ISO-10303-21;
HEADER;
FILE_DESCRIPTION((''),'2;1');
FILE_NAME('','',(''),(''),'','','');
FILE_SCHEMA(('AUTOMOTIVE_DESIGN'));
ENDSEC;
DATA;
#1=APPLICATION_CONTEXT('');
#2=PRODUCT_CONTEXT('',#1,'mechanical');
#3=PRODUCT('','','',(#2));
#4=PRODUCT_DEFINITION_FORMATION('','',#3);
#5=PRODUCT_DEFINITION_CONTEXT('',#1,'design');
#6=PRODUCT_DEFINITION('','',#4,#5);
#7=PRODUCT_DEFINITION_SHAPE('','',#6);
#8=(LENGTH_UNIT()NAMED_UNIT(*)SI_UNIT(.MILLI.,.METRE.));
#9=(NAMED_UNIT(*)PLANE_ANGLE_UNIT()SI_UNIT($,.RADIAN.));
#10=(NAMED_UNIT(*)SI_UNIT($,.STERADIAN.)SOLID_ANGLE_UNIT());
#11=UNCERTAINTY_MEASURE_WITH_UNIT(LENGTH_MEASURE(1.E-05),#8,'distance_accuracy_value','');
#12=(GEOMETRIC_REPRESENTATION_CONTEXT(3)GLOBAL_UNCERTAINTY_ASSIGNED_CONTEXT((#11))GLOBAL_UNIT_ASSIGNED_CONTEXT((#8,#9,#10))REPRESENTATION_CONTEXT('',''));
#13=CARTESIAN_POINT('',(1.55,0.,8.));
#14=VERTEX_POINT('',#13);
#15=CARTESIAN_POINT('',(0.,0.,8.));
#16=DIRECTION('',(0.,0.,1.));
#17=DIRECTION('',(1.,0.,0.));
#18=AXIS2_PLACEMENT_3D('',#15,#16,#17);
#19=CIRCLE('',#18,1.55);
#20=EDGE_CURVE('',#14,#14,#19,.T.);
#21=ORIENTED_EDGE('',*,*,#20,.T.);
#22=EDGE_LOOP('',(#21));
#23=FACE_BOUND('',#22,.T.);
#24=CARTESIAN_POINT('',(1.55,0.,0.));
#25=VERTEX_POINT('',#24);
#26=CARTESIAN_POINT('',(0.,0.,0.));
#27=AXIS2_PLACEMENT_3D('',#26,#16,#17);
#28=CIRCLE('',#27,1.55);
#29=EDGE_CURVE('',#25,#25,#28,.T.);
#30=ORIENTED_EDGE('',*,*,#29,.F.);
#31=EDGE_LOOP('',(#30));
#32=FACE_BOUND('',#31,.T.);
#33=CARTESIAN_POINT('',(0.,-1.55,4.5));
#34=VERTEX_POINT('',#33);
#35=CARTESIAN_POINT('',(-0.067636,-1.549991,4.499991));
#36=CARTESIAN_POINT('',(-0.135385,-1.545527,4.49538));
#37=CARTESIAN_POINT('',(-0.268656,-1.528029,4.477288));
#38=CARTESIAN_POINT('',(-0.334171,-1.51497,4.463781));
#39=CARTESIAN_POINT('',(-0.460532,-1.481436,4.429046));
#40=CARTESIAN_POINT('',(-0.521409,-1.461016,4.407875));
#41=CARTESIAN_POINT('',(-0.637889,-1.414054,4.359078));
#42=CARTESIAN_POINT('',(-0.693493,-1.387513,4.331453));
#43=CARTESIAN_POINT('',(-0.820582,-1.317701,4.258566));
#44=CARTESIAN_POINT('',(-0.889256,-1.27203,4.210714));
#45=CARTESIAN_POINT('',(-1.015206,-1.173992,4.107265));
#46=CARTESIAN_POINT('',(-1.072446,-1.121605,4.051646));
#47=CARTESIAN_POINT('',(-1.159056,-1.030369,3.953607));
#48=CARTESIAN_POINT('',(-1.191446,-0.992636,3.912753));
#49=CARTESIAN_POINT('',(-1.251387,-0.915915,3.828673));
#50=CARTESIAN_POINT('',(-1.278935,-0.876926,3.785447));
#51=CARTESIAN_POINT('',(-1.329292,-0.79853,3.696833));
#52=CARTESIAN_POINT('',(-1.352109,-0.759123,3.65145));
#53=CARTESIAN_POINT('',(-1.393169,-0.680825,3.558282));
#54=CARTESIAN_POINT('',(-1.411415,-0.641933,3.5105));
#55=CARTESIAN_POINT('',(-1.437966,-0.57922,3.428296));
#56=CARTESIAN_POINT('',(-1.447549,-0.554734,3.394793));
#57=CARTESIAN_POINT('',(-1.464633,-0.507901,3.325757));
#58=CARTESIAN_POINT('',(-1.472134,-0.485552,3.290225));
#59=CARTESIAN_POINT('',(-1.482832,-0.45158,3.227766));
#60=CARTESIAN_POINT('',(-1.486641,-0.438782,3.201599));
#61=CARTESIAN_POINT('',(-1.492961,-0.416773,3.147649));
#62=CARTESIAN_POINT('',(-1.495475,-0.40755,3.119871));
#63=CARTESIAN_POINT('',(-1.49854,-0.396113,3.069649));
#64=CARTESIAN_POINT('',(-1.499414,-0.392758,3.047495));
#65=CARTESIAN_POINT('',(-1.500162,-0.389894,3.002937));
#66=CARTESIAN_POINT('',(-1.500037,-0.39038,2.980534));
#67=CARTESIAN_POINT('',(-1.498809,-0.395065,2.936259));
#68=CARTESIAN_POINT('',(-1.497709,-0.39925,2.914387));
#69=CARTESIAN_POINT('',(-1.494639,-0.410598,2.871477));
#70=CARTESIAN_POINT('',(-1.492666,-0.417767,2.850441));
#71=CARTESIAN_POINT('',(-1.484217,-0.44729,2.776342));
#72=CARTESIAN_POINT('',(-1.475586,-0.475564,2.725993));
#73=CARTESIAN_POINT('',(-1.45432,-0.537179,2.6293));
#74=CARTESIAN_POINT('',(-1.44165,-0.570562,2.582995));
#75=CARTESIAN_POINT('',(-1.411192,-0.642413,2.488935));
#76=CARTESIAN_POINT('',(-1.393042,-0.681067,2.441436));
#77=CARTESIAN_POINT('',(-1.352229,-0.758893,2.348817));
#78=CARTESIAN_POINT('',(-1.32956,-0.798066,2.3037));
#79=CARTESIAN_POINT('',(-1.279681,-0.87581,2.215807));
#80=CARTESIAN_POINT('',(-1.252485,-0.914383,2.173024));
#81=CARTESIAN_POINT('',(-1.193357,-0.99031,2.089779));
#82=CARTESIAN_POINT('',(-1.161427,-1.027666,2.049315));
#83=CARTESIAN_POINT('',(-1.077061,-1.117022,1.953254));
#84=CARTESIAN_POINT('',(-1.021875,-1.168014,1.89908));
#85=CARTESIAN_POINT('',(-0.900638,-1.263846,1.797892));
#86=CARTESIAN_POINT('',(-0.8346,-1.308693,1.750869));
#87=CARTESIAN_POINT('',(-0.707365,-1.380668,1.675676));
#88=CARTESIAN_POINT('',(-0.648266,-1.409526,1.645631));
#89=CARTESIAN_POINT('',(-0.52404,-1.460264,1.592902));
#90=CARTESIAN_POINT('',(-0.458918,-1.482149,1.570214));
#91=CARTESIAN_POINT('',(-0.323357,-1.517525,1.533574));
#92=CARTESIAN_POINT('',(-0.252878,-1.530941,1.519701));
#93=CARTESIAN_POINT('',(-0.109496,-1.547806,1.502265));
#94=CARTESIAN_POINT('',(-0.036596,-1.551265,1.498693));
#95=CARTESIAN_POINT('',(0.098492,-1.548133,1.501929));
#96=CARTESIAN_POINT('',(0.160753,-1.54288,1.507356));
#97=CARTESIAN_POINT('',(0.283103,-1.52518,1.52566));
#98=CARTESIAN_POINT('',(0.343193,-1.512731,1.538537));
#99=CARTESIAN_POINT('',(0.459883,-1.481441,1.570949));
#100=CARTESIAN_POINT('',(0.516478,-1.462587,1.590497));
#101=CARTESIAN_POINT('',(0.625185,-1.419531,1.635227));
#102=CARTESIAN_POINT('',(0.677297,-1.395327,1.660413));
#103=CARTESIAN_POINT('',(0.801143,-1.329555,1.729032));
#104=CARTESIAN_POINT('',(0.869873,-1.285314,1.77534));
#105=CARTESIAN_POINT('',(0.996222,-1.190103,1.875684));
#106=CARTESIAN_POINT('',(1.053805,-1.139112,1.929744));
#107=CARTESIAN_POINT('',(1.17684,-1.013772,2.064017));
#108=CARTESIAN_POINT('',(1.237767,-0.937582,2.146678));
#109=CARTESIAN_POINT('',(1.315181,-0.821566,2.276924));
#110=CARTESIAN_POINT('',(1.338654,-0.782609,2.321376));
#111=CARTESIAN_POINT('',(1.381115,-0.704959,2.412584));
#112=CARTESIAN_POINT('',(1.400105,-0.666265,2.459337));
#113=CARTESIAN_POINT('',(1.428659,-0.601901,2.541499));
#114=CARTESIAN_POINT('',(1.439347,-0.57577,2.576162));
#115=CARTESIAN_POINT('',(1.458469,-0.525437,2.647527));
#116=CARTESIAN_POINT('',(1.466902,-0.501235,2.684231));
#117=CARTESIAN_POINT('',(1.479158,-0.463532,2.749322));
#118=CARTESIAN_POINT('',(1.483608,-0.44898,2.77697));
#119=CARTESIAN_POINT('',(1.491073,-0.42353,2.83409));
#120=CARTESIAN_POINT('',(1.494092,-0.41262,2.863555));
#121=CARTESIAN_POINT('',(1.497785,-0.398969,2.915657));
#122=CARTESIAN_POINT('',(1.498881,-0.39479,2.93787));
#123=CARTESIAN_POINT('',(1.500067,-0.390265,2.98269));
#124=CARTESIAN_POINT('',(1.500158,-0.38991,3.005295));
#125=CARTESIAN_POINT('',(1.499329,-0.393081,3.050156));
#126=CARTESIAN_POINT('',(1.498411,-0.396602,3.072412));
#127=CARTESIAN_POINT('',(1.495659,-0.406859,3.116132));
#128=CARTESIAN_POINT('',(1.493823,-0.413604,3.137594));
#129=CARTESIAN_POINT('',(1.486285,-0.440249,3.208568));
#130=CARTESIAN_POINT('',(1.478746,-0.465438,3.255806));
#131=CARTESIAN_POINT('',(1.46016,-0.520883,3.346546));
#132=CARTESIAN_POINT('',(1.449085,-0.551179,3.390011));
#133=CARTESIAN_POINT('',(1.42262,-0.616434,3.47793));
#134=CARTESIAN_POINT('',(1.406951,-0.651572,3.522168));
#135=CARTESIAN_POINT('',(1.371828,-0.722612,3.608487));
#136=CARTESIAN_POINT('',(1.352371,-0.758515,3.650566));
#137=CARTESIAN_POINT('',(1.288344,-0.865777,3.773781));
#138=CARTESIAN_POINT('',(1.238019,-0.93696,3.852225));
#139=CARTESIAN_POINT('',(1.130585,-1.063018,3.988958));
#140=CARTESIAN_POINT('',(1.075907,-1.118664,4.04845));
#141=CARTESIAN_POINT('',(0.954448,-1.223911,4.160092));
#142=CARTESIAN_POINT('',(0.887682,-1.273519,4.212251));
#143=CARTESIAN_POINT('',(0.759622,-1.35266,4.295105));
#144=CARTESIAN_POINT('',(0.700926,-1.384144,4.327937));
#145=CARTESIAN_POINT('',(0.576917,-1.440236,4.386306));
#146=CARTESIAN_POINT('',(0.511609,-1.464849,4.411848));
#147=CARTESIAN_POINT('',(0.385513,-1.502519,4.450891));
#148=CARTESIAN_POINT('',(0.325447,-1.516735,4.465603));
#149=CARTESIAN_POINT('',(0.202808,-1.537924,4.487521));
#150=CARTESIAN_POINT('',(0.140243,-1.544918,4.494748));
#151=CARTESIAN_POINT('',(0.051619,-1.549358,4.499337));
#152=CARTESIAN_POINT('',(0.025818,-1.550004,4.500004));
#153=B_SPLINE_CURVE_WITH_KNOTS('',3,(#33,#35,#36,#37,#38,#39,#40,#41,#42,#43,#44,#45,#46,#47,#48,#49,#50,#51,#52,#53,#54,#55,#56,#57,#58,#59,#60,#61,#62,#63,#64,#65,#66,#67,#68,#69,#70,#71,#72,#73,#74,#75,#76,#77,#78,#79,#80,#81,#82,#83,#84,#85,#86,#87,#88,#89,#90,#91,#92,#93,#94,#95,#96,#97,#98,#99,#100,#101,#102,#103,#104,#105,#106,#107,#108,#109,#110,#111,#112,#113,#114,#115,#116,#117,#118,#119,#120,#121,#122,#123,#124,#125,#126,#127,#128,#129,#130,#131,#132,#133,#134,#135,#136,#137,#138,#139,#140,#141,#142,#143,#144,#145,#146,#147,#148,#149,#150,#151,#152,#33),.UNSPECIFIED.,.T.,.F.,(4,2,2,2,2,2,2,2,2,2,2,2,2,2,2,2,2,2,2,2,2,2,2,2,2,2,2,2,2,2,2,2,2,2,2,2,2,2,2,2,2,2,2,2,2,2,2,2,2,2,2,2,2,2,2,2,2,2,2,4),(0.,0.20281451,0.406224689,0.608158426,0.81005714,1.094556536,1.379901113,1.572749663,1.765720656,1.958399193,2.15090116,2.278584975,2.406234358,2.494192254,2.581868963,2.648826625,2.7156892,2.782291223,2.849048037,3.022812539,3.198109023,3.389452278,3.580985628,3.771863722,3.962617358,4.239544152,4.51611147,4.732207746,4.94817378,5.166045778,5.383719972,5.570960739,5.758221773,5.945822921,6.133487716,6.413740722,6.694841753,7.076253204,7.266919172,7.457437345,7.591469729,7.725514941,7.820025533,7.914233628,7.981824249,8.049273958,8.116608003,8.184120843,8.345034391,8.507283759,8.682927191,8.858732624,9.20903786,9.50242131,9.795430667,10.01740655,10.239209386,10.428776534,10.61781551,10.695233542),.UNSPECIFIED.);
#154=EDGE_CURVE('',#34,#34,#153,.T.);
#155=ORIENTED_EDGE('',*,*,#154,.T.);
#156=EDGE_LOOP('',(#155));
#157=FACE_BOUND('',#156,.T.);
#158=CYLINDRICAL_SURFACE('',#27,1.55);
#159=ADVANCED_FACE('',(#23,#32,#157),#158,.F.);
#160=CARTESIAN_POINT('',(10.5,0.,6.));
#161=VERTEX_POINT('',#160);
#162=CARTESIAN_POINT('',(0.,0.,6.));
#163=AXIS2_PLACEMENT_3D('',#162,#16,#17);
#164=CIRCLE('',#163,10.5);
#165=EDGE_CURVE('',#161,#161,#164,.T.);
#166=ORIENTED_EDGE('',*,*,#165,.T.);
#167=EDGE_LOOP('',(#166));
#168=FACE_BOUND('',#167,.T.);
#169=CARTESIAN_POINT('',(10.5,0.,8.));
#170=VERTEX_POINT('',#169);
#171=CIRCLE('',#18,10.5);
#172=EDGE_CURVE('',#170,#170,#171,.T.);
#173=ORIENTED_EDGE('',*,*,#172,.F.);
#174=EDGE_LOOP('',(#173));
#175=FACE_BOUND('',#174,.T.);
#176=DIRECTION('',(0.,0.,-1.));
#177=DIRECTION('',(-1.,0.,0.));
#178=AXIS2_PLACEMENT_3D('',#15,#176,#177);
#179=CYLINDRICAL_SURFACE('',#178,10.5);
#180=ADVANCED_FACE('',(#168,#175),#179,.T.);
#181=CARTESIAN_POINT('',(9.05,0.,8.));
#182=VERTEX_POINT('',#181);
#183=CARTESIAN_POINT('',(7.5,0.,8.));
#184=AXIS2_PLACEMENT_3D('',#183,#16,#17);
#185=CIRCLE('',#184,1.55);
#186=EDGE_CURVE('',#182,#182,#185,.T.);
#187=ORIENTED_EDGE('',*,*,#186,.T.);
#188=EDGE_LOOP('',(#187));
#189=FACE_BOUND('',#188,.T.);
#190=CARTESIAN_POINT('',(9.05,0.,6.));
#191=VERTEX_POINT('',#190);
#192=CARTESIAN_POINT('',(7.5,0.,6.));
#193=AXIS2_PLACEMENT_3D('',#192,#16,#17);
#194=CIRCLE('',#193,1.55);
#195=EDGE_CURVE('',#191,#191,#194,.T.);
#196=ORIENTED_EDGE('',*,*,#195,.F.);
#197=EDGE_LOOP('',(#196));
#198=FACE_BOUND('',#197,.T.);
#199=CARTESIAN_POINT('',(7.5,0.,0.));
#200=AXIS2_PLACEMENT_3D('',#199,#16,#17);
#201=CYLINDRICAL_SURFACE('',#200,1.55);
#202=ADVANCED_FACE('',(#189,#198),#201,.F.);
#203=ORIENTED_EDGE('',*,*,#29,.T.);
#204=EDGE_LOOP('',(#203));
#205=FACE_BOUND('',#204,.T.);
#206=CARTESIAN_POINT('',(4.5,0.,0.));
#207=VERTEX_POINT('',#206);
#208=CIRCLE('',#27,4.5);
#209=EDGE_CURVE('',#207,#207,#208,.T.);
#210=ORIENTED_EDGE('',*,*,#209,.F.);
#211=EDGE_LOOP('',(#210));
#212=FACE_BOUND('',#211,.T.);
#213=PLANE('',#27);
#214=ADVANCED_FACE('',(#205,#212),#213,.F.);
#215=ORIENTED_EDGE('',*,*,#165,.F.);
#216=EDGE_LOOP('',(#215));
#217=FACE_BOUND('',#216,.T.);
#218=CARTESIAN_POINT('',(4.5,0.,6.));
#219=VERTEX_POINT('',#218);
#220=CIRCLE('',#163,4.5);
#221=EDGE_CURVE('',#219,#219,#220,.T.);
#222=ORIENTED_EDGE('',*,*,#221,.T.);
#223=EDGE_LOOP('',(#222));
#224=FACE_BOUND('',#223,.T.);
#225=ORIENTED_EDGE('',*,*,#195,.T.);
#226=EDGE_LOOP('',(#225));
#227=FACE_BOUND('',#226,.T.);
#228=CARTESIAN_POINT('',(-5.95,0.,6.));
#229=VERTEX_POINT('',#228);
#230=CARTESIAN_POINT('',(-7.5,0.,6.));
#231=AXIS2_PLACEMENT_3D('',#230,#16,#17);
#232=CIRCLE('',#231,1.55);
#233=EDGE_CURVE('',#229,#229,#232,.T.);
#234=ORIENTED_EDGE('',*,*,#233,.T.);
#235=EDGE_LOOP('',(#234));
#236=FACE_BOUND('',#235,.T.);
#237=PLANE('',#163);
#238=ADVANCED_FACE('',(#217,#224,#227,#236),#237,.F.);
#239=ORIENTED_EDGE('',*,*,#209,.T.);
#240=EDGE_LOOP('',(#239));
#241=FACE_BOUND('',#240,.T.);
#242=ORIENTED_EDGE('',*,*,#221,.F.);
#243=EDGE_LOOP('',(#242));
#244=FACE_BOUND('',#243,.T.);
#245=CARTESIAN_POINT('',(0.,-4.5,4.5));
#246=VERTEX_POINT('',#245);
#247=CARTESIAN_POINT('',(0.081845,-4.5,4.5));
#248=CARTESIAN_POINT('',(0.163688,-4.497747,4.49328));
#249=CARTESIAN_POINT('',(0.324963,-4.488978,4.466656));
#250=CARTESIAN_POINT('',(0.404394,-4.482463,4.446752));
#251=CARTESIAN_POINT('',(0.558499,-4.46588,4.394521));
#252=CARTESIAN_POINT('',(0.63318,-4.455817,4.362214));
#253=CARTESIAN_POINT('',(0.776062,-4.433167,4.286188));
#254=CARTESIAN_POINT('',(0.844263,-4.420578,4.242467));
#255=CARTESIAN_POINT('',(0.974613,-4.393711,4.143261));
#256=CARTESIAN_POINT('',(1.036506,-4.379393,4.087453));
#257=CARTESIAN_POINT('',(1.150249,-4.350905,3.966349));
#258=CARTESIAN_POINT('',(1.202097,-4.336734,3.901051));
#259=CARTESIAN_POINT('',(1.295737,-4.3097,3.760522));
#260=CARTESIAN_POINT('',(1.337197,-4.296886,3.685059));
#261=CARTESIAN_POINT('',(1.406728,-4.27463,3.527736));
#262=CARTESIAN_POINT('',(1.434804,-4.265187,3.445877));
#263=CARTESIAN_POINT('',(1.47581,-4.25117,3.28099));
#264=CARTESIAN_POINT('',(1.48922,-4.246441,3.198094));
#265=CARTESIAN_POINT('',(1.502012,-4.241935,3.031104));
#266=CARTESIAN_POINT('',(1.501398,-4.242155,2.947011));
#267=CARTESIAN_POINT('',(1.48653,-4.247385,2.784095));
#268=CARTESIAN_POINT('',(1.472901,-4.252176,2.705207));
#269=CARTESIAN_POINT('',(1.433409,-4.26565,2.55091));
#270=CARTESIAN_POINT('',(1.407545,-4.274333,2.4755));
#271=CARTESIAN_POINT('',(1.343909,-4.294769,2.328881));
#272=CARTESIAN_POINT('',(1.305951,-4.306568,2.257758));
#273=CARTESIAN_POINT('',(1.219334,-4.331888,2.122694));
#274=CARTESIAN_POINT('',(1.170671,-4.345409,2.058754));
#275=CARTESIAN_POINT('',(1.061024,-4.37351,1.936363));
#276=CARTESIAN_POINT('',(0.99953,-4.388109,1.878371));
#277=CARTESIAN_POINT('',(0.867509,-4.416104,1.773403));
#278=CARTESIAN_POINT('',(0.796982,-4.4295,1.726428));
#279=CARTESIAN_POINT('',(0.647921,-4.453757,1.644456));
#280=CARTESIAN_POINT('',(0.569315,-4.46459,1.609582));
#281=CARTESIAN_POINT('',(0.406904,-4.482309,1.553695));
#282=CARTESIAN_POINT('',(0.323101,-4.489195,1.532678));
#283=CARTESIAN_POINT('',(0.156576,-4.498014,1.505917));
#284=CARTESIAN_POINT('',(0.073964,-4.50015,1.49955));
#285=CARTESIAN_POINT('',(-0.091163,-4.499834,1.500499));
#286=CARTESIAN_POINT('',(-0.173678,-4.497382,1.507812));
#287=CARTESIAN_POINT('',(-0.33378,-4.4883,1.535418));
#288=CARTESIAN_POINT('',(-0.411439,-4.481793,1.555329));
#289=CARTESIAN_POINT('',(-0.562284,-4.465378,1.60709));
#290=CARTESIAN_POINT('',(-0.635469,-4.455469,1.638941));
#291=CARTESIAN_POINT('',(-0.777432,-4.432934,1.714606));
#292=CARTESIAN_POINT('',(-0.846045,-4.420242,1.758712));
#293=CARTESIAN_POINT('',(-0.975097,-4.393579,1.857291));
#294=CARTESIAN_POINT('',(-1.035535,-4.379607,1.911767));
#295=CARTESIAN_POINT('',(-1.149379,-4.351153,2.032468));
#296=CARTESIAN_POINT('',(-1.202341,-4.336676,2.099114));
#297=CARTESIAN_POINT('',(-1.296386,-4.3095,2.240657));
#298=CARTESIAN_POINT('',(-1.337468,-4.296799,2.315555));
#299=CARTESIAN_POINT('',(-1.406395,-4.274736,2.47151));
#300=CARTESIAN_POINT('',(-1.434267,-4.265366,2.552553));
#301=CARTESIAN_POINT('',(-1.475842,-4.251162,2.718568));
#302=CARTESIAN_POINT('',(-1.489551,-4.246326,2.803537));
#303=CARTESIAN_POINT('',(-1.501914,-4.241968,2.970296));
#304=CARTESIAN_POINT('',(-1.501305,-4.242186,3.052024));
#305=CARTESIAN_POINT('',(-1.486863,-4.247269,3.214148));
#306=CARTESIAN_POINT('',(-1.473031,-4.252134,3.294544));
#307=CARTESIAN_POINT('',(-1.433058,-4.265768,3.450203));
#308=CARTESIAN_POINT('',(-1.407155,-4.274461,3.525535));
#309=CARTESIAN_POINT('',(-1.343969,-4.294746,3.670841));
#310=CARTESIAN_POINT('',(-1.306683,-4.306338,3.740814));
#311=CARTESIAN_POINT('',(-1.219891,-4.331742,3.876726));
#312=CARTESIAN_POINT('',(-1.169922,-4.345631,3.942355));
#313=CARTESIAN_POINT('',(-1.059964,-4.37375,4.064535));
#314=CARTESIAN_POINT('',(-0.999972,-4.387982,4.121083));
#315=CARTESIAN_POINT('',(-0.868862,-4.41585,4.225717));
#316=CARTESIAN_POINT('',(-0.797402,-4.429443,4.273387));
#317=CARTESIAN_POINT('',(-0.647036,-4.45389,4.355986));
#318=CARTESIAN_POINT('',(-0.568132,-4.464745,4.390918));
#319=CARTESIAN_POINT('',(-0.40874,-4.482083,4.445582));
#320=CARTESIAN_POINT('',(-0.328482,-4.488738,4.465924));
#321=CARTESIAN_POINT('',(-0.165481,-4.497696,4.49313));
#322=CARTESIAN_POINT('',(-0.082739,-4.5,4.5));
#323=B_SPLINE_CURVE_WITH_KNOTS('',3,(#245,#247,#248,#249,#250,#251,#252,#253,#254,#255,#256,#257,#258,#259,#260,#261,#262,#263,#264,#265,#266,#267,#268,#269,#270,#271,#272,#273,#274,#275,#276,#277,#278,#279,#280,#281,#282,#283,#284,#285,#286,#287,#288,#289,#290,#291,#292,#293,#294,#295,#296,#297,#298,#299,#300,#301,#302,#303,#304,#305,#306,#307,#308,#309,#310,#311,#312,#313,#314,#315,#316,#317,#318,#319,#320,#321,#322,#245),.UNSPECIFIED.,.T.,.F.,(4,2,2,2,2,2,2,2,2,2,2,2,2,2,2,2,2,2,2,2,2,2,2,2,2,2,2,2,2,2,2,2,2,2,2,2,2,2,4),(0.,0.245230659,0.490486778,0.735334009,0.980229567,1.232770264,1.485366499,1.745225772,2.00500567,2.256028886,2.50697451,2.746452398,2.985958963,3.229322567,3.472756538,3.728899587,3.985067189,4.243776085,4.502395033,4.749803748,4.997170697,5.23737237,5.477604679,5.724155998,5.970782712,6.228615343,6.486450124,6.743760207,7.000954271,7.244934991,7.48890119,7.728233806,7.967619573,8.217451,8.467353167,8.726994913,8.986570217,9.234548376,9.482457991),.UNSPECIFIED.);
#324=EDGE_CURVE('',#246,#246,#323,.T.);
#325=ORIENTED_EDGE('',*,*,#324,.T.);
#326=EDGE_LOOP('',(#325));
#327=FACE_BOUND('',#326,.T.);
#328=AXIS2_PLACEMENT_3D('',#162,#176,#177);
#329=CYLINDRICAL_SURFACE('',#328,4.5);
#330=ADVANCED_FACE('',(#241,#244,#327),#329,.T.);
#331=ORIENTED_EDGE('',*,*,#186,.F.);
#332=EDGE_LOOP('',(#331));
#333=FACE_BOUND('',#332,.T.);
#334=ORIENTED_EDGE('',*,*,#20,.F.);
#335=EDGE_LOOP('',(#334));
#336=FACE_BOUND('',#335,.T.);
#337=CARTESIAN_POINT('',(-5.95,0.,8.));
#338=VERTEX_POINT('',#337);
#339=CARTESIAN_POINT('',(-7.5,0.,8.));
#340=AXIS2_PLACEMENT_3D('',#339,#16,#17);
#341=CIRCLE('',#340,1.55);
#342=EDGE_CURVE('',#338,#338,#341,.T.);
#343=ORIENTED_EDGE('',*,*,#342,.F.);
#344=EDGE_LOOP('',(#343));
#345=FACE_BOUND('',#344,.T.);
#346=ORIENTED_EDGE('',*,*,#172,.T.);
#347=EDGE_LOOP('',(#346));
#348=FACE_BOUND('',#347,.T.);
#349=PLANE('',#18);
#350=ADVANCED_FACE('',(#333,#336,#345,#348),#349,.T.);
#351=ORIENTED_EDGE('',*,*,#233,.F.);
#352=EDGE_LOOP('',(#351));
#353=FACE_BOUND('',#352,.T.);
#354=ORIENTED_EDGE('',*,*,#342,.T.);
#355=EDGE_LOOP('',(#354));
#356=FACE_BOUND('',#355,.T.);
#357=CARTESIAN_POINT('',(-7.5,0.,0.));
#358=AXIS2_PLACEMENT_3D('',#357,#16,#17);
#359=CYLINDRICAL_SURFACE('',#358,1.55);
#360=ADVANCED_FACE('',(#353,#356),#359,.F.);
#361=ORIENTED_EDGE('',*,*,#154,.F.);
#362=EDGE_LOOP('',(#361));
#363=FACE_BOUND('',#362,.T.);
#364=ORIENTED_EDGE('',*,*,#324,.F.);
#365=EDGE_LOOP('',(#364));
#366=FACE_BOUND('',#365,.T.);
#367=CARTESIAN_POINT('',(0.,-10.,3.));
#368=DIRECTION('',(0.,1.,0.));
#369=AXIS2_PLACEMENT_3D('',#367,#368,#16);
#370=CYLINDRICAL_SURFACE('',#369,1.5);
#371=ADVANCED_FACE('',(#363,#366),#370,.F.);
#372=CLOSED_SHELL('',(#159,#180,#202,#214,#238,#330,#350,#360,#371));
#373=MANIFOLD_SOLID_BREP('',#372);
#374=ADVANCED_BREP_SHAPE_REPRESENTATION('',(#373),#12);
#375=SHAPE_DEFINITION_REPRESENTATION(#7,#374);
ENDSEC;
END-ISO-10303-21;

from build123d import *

# Parameters (mm, degrees)
ESQUISSE1_R             = 4.5
EXTRUSION1_DEPTH        = 6
ESQUISSE2_R             = 10.5
EXTRUSION2_DEPTH        = 2
ESQUISSE3_R             = 1.55
ENL_V_MAT_EXTRU_1_DEPTH = 9
ESQUISSE4_R             = 1.55
ENL_V_MAT_EXTRU_2_DEPTH = 9
ESQUISSE5_R             = 1.5
ENL_V_MAT_EXTRU_3_DEPTH = 10


with BuildPart() as part:
    # Esquisse1 → Extrusion1 (new body)
    with BuildSketch(Plane.XY):
        Circle(ESQUISSE1_R)
    extrude(amount=EXTRUSION1_DEPTH)

    # Esquisse2 → Extrusion2 (add)
    with BuildSketch(Plane.XY.offset(6)):
        Circle(ESQUISSE2_R)
    extrude(amount=EXTRUSION2_DEPTH)

    # Esquisse3 → Enl_v. mat.-Extru.1 (cut, through all)
    with BuildSketch(Plane.XY.offset(8)):
        Circle(ESQUISSE3_R)
    extrude(amount=-ENL_V_MAT_EXTRU_1_DEPTH, mode=Mode.SUBTRACT)

    # Esquisse4 → Enl_v. mat.-Extru.2 (cut, through all)
    with BuildSketch(Plane.XY.offset(8)):
        with Locations((-7.5, 0)):
            Circle(ESQUISSE4_R)
        with Locations((7.5, 0)):
            Circle(ESQUISSE4_R)
    extrude(amount=-ENL_V_MAT_EXTRU_2_DEPTH, mode=Mode.SUBTRACT)

    # Esquisse5 → Enl_v. mat.-Extru.3 (cut)
    with BuildSketch(Plane(origin=(0, 0, 0), x_dir=(1, 0, 0), z_dir=(0, 1, 0))):
        with Locations(Location((0, -3, 0), (0, 0, 270))):  # turned: the seam where the file's is
            Circle(ESQUISSE5_R)
    extrude(amount=-ENL_V_MAT_EXTRU_3_DEPTH, mode=Mode.SUBTRACT)


solid = part.part
